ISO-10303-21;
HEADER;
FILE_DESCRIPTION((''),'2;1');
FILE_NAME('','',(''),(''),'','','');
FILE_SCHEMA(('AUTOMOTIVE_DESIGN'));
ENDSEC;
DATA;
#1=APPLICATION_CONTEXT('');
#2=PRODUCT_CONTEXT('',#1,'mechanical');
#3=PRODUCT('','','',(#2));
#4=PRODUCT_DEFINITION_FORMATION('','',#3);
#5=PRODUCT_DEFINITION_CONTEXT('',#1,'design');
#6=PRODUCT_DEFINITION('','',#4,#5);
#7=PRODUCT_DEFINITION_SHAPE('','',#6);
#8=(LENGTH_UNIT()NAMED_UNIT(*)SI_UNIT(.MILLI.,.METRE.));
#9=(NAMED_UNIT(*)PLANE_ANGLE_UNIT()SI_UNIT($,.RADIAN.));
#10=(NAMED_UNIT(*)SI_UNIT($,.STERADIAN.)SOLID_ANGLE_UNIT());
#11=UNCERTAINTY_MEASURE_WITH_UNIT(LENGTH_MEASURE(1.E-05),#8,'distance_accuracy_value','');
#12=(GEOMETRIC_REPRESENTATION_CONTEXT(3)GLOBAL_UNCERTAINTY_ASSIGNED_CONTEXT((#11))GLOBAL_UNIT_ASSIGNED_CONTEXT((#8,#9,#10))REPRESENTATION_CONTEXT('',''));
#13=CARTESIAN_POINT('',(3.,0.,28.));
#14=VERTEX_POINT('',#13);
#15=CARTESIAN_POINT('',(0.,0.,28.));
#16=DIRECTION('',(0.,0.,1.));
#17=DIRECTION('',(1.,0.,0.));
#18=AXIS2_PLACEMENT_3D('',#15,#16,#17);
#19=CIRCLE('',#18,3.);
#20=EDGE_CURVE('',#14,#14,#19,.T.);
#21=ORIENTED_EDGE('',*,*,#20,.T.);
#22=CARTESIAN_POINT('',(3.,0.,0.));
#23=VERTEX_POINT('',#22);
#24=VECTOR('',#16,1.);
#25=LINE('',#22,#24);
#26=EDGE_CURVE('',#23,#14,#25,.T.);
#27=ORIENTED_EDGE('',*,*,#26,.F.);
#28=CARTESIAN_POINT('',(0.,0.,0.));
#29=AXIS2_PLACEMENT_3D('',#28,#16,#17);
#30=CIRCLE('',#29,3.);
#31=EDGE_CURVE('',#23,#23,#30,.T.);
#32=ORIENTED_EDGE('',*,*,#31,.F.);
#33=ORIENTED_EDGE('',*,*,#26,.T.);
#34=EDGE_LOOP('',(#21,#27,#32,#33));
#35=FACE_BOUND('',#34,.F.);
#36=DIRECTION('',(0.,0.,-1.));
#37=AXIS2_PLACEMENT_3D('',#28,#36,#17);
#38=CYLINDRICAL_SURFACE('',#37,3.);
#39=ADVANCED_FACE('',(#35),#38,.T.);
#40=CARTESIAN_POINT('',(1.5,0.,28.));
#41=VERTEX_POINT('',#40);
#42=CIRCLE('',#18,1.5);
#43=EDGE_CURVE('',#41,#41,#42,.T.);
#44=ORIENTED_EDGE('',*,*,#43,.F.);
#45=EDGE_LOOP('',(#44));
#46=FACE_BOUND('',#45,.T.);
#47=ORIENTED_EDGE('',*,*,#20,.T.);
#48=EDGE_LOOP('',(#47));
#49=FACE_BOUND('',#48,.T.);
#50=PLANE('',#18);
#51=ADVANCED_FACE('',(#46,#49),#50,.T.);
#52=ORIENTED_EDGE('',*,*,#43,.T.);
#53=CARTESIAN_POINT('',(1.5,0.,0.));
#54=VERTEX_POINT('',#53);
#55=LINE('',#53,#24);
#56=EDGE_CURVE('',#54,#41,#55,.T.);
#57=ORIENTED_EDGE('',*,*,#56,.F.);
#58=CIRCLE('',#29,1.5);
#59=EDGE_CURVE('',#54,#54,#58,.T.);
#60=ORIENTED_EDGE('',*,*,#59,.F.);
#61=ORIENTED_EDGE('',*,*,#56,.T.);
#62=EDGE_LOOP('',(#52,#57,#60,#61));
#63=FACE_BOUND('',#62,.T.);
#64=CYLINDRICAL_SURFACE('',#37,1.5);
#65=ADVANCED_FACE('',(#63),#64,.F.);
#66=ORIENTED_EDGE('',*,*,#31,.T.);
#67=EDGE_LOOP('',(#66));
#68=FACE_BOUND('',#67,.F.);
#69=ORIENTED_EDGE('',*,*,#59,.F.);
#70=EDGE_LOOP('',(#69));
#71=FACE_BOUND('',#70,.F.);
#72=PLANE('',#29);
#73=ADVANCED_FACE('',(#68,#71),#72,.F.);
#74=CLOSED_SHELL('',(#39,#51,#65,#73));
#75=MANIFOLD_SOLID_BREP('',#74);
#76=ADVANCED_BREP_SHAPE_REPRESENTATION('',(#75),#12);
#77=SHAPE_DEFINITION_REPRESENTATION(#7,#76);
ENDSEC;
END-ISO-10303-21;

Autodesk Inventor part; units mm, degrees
ref_plane "YZ Plane" through (0, 0, 0) normal (1, 0, 0) x (0, 1, 0)
ref_plane "XZ Plane" through (0, 0, 0) normal (0, 1, 0) x (-1, 0, 0)
ref_plane "XY Plane" through (0, 0, 0) normal (0, 0, 1) x (1, 0, 0)
sketch "スケッチ1" plane through (0, 0, 0) normal (0, 0, 1) x (1, 0, 0)
  circle A0 centre (0, 0) radius 3
  circle A1 centre (0, 0) radius 1.5
  dimension "d0" = 6
  dimension "d1" = 3
extrude "押し出し1" add sketch "スケッチ1" along normal blind 28
properties part number "ABSスペーサーm3-28　簡易筒型" material "ABS プラスチック"
